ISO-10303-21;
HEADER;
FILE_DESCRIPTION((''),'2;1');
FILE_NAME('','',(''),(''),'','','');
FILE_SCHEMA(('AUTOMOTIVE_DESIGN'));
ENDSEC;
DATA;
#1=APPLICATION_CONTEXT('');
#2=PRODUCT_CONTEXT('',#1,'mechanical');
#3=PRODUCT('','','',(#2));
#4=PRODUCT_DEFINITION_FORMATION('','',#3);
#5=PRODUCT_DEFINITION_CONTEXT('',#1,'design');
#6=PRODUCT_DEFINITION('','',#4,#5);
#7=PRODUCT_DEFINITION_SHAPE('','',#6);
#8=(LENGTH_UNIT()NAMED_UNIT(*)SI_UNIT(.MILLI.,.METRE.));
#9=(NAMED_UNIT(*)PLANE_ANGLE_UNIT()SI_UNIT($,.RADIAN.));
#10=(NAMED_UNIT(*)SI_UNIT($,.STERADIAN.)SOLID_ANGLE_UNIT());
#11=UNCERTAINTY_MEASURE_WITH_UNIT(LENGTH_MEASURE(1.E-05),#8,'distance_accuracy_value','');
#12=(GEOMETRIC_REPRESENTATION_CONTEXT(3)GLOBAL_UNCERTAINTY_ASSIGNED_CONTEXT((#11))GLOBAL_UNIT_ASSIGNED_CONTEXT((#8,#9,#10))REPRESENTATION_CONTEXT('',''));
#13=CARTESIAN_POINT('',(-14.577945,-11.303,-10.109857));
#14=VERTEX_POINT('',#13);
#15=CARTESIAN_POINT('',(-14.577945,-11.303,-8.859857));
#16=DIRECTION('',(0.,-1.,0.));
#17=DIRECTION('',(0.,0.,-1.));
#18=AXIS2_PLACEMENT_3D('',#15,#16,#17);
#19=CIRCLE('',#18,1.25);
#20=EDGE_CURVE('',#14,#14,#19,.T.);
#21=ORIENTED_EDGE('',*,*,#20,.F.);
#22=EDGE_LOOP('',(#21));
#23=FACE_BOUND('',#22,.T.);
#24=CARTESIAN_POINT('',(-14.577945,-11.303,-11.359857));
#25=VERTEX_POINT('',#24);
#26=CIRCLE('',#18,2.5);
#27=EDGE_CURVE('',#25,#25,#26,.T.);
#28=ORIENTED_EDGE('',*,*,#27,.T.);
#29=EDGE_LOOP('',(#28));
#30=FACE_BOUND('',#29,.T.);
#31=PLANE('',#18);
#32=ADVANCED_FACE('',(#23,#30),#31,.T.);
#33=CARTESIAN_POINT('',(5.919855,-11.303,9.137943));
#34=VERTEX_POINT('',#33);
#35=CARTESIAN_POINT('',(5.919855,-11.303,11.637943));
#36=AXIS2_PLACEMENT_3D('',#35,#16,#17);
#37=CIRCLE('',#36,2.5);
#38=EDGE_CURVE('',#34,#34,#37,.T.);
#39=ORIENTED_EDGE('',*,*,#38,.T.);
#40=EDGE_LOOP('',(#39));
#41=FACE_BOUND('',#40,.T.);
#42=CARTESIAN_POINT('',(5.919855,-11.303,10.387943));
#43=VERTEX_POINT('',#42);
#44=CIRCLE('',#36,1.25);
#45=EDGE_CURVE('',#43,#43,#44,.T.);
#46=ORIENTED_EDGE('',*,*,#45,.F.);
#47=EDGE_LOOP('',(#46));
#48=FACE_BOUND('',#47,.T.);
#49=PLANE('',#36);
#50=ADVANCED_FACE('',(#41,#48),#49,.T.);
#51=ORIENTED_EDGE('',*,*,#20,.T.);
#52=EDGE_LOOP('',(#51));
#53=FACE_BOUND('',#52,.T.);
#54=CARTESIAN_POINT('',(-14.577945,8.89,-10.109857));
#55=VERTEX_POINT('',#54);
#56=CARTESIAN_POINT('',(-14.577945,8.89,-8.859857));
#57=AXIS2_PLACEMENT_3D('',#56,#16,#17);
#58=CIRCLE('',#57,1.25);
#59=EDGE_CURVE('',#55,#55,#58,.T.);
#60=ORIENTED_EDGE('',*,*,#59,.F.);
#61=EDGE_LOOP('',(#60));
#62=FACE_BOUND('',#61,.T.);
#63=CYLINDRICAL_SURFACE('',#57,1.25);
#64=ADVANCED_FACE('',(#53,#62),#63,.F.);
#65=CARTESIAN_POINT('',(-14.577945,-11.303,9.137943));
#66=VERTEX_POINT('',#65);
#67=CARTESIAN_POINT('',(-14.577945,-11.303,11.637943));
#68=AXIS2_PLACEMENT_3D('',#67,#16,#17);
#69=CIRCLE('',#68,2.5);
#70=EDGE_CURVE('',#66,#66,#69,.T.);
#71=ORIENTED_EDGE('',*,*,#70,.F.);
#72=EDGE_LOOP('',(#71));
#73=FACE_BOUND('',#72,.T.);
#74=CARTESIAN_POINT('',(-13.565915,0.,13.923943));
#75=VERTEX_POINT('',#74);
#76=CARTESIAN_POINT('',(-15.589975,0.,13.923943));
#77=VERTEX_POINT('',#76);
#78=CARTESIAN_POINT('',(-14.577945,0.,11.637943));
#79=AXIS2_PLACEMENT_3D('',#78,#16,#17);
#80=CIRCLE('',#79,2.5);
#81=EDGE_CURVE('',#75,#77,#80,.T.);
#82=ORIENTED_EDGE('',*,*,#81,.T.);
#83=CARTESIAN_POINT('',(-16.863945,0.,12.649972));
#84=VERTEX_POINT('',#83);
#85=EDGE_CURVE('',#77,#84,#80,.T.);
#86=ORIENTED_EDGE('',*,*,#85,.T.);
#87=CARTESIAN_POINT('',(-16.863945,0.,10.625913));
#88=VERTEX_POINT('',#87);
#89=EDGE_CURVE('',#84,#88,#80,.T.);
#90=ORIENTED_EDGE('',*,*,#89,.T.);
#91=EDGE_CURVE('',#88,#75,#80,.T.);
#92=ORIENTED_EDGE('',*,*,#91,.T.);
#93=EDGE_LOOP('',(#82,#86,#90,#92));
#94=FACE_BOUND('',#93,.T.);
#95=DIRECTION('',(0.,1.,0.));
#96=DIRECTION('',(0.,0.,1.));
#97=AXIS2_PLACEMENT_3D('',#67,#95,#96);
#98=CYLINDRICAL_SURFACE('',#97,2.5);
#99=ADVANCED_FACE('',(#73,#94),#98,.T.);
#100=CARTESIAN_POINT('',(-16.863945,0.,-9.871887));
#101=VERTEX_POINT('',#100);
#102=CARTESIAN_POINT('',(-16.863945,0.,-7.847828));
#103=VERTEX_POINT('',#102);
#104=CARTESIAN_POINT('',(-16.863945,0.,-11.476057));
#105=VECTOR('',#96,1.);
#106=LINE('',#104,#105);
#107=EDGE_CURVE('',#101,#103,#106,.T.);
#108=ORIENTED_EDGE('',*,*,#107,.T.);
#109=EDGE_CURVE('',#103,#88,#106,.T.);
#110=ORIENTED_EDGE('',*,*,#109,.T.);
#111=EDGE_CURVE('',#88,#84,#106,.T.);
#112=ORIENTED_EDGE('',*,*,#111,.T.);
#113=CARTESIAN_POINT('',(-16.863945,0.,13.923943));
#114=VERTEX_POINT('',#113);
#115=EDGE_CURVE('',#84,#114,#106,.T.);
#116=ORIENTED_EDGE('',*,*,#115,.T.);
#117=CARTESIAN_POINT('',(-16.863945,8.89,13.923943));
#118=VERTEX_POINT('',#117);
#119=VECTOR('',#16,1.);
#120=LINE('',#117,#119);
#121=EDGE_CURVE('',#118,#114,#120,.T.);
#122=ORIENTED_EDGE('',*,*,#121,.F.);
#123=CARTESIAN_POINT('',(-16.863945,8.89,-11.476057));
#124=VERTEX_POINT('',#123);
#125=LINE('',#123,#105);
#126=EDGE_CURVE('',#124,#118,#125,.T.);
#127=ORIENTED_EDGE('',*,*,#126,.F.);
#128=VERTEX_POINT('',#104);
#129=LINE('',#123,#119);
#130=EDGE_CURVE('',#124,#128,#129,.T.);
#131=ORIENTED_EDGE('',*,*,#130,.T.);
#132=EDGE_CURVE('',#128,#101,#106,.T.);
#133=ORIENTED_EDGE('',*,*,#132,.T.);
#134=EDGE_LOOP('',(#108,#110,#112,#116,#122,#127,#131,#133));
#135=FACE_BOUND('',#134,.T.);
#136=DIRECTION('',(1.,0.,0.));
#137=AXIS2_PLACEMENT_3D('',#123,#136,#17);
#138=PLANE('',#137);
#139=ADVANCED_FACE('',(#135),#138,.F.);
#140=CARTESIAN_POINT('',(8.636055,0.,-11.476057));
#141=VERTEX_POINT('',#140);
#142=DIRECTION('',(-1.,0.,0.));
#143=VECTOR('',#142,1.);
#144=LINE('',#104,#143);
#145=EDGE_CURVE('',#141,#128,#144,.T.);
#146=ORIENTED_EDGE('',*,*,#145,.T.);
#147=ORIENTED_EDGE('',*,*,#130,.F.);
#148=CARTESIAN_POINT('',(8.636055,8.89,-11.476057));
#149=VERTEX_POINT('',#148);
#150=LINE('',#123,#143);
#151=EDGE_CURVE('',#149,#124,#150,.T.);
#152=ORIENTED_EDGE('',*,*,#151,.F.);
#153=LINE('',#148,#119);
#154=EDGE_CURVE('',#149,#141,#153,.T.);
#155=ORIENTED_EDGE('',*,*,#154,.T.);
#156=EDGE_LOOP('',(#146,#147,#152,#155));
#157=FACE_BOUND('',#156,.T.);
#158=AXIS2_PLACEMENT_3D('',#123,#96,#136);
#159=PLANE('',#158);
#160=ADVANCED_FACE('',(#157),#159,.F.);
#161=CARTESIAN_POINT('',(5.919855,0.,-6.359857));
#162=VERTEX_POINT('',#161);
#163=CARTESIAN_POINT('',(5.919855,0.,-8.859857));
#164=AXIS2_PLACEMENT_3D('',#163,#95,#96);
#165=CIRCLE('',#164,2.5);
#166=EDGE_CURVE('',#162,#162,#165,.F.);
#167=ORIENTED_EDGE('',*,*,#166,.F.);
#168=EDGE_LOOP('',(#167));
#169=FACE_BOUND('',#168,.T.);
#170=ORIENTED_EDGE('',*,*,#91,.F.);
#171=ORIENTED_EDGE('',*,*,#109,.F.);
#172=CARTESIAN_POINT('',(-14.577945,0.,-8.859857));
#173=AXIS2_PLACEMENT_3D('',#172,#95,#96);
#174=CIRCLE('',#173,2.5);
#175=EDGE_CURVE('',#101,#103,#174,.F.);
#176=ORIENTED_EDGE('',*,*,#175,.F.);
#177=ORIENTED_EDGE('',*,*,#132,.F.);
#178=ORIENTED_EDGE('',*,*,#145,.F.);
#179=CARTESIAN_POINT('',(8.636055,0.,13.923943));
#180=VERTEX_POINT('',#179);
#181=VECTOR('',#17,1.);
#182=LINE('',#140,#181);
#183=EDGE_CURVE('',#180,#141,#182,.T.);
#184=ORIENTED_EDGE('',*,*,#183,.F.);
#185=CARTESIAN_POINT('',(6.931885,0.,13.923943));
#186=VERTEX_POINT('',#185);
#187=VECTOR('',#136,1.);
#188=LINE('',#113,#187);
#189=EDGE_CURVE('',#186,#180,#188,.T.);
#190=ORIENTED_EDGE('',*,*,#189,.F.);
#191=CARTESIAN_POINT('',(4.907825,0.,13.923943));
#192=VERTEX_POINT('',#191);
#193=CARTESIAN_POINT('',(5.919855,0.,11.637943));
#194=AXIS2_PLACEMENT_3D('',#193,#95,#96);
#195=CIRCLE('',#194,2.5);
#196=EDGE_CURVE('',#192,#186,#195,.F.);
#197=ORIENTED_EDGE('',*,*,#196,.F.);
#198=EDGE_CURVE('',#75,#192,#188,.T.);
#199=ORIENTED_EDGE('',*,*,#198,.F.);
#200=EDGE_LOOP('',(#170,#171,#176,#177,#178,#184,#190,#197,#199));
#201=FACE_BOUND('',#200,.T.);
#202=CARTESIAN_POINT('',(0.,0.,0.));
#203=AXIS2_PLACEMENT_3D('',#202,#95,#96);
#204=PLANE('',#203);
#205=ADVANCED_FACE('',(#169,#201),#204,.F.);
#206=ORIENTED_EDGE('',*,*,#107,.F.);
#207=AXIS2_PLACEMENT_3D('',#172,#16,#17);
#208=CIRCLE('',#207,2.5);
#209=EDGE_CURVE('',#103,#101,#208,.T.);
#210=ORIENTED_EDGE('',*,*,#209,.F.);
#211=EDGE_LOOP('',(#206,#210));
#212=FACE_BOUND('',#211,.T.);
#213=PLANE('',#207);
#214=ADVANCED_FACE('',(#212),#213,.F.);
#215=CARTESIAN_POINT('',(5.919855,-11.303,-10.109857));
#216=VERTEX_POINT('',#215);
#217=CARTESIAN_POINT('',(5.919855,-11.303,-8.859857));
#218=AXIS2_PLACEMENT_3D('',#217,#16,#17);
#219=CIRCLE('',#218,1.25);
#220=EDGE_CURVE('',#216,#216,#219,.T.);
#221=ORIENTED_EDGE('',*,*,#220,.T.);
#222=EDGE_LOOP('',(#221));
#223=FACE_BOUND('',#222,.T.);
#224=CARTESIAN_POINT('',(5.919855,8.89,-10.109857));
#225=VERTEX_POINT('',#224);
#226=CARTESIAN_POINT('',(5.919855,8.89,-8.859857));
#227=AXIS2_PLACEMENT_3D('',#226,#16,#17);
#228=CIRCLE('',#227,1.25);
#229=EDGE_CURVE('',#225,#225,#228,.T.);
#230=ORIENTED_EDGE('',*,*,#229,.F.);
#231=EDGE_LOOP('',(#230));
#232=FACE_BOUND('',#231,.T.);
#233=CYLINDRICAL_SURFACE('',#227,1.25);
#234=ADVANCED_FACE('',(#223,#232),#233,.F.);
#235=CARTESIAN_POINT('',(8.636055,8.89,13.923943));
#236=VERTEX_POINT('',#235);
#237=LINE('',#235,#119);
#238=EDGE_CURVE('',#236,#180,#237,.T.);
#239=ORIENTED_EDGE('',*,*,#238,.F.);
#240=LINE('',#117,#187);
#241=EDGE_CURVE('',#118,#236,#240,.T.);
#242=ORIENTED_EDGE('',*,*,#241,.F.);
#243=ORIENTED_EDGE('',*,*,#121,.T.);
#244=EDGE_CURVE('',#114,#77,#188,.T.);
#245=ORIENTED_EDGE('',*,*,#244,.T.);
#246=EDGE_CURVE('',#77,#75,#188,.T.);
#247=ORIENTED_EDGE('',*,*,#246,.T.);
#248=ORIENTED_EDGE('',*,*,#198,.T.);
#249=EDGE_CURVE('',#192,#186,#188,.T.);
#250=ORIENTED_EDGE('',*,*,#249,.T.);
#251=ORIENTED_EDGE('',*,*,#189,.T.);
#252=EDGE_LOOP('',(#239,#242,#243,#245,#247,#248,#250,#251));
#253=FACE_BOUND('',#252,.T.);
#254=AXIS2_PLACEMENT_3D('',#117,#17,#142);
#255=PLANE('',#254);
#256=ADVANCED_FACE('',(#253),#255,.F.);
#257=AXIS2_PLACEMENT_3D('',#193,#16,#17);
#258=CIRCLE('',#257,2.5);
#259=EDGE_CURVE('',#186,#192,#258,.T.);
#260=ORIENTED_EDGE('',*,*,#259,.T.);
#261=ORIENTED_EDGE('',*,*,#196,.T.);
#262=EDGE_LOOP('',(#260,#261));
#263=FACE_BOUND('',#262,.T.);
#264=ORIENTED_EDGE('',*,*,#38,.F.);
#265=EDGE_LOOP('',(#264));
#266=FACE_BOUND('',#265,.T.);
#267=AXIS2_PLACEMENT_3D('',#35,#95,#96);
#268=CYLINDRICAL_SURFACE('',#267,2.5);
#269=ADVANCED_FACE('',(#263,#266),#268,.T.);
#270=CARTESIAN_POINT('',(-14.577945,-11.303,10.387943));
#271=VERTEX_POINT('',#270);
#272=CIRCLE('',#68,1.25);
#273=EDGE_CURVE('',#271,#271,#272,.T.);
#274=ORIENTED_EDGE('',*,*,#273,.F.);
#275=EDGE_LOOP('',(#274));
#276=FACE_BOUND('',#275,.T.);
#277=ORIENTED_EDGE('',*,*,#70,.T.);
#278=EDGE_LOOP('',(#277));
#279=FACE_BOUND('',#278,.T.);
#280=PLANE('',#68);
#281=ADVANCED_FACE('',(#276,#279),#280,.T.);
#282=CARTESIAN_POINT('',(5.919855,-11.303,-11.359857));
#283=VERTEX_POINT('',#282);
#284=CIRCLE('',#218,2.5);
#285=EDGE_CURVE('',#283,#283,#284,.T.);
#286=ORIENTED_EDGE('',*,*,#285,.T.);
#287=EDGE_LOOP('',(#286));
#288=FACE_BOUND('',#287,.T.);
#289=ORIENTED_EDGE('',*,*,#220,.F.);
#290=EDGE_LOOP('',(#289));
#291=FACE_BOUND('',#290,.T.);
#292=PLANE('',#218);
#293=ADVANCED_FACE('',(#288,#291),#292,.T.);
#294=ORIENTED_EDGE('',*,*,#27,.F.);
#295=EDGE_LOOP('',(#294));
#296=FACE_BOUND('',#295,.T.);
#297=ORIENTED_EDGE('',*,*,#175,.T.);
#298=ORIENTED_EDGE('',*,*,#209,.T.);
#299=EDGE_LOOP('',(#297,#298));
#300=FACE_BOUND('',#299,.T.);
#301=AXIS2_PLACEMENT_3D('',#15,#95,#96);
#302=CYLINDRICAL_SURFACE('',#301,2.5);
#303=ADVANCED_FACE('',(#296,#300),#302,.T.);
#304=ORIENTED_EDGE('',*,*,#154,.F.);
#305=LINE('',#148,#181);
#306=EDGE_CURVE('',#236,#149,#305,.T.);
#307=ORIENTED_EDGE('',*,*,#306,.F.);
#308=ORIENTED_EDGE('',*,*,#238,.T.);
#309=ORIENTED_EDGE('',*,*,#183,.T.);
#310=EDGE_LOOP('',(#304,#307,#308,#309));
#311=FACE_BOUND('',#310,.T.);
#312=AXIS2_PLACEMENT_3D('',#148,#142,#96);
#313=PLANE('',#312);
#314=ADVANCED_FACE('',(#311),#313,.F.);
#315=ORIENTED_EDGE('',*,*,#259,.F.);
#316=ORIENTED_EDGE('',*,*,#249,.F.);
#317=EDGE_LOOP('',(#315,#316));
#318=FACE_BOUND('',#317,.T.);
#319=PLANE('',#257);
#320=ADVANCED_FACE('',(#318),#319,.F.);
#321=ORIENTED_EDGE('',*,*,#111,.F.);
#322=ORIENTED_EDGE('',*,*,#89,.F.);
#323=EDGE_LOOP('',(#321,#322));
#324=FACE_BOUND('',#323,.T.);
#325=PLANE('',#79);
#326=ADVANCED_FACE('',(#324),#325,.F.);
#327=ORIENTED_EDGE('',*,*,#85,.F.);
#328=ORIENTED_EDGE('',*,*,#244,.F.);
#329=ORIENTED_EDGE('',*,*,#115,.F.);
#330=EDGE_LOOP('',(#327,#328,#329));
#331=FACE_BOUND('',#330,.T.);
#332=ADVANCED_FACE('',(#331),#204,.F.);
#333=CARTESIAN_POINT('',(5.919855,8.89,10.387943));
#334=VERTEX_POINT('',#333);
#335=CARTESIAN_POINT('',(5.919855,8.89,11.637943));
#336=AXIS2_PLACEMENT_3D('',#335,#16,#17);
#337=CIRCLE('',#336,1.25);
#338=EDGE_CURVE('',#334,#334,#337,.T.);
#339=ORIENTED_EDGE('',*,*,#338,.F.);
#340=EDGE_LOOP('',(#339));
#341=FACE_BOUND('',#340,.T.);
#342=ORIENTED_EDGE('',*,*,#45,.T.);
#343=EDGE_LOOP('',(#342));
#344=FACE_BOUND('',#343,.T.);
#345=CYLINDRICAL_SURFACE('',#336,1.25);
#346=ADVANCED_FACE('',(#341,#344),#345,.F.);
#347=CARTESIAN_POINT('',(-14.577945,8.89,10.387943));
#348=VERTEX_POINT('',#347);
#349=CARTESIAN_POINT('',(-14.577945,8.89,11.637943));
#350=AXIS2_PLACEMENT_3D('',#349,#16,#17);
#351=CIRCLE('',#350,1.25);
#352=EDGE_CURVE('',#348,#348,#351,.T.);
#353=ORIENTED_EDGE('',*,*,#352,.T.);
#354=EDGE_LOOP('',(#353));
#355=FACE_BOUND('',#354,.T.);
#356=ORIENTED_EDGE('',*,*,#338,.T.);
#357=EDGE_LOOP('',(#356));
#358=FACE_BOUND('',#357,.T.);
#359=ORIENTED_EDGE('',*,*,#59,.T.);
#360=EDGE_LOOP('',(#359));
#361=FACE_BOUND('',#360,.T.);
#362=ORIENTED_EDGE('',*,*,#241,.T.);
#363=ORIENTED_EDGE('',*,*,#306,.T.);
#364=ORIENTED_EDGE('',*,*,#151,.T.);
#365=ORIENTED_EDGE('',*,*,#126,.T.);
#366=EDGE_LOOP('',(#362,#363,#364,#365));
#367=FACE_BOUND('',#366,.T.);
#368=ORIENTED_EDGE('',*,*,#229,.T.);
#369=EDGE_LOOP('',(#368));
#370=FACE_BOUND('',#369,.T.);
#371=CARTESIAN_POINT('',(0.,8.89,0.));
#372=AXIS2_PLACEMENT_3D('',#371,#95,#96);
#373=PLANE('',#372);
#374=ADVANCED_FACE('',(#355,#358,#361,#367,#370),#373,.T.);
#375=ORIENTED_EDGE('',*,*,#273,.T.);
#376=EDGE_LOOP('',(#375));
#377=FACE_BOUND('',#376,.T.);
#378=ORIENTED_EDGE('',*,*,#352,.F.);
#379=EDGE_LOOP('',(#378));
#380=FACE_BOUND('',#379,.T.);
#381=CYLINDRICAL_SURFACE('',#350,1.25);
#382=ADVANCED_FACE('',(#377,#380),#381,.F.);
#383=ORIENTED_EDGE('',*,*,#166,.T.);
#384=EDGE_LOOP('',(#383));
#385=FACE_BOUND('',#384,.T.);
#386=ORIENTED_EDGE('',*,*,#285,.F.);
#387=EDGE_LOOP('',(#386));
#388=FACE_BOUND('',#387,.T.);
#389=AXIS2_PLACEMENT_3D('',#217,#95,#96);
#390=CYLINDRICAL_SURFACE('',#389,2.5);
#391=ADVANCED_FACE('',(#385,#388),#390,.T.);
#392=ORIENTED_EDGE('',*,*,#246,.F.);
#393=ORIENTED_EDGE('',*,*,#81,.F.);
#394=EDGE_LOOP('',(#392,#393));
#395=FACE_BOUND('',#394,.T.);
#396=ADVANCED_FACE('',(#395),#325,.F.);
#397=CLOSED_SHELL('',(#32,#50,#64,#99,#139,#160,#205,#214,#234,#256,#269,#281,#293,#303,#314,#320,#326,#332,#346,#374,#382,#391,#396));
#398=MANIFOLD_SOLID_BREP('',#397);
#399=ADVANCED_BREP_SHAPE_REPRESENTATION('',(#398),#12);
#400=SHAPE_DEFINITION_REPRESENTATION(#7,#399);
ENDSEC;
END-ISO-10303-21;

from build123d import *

# Parameters (mm, degrees)
SKETCH1_W           = 25.5
SKETCH1_H           = 25.4
BOSS_EXTRUDE1_DEPTH = 8.89
SKETCH2_R           = 2.5
BOSS_EXTRUDE2_DEPTH = 11.303
SKETCH3_R           = 1.25
CUT_EXTRUDE1_DEPTH  = 21.193


with BuildPart() as part:
    # Sketch1 → Boss-Extrude1 (new body)
    with BuildSketch(Plane(origin=(0, 0, 0), x_dir=(1, 0, 0), z_dir=(0, 1, 0))):
        with Locations((-4.113944862, -1.223942607)):
            Rectangle(SKETCH1_W, SKETCH1_H)
    extrude(amount=BOSS_EXTRUDE1_DEPTH)

    # Sketch2 → Boss-Extrude2 (add)
    with BuildSketch(Plane.XZ):
        with Locations((-14.577944862, 11.637942607)):
            Circle(SKETCH2_R)
        with Locations((5.919855138, 11.637942607)):
            Circle(SKETCH2_R)
        with Locations((5.919855138, -8.859857393)):
            Circle(SKETCH2_R)
        with Locations((-14.577944862, -8.859857393)):
            Circle(SKETCH2_R)
    extrude(amount=BOSS_EXTRUDE2_DEPTH)

    # Sketch3 → Cut-Extrude1 (cut, through all)
    with BuildSketch(Plane.XZ.offset(11.303)):
        with Locations((-14.577944862, 11.637942607)):
            Circle(SKETCH3_R)
        with Locations((-14.577944862, -8.859857393)):
            Circle(SKETCH3_R)
        with Locations((5.919855138, -8.859857393)):
            Circle(SKETCH3_R)
        with Locations((5.919855138, 11.637942607)):
            Circle(SKETCH3_R)
    extrude(amount=-CUT_EXTRUDE1_DEPTH, mode=Mode.SUBTRACT)


solid = part.part
